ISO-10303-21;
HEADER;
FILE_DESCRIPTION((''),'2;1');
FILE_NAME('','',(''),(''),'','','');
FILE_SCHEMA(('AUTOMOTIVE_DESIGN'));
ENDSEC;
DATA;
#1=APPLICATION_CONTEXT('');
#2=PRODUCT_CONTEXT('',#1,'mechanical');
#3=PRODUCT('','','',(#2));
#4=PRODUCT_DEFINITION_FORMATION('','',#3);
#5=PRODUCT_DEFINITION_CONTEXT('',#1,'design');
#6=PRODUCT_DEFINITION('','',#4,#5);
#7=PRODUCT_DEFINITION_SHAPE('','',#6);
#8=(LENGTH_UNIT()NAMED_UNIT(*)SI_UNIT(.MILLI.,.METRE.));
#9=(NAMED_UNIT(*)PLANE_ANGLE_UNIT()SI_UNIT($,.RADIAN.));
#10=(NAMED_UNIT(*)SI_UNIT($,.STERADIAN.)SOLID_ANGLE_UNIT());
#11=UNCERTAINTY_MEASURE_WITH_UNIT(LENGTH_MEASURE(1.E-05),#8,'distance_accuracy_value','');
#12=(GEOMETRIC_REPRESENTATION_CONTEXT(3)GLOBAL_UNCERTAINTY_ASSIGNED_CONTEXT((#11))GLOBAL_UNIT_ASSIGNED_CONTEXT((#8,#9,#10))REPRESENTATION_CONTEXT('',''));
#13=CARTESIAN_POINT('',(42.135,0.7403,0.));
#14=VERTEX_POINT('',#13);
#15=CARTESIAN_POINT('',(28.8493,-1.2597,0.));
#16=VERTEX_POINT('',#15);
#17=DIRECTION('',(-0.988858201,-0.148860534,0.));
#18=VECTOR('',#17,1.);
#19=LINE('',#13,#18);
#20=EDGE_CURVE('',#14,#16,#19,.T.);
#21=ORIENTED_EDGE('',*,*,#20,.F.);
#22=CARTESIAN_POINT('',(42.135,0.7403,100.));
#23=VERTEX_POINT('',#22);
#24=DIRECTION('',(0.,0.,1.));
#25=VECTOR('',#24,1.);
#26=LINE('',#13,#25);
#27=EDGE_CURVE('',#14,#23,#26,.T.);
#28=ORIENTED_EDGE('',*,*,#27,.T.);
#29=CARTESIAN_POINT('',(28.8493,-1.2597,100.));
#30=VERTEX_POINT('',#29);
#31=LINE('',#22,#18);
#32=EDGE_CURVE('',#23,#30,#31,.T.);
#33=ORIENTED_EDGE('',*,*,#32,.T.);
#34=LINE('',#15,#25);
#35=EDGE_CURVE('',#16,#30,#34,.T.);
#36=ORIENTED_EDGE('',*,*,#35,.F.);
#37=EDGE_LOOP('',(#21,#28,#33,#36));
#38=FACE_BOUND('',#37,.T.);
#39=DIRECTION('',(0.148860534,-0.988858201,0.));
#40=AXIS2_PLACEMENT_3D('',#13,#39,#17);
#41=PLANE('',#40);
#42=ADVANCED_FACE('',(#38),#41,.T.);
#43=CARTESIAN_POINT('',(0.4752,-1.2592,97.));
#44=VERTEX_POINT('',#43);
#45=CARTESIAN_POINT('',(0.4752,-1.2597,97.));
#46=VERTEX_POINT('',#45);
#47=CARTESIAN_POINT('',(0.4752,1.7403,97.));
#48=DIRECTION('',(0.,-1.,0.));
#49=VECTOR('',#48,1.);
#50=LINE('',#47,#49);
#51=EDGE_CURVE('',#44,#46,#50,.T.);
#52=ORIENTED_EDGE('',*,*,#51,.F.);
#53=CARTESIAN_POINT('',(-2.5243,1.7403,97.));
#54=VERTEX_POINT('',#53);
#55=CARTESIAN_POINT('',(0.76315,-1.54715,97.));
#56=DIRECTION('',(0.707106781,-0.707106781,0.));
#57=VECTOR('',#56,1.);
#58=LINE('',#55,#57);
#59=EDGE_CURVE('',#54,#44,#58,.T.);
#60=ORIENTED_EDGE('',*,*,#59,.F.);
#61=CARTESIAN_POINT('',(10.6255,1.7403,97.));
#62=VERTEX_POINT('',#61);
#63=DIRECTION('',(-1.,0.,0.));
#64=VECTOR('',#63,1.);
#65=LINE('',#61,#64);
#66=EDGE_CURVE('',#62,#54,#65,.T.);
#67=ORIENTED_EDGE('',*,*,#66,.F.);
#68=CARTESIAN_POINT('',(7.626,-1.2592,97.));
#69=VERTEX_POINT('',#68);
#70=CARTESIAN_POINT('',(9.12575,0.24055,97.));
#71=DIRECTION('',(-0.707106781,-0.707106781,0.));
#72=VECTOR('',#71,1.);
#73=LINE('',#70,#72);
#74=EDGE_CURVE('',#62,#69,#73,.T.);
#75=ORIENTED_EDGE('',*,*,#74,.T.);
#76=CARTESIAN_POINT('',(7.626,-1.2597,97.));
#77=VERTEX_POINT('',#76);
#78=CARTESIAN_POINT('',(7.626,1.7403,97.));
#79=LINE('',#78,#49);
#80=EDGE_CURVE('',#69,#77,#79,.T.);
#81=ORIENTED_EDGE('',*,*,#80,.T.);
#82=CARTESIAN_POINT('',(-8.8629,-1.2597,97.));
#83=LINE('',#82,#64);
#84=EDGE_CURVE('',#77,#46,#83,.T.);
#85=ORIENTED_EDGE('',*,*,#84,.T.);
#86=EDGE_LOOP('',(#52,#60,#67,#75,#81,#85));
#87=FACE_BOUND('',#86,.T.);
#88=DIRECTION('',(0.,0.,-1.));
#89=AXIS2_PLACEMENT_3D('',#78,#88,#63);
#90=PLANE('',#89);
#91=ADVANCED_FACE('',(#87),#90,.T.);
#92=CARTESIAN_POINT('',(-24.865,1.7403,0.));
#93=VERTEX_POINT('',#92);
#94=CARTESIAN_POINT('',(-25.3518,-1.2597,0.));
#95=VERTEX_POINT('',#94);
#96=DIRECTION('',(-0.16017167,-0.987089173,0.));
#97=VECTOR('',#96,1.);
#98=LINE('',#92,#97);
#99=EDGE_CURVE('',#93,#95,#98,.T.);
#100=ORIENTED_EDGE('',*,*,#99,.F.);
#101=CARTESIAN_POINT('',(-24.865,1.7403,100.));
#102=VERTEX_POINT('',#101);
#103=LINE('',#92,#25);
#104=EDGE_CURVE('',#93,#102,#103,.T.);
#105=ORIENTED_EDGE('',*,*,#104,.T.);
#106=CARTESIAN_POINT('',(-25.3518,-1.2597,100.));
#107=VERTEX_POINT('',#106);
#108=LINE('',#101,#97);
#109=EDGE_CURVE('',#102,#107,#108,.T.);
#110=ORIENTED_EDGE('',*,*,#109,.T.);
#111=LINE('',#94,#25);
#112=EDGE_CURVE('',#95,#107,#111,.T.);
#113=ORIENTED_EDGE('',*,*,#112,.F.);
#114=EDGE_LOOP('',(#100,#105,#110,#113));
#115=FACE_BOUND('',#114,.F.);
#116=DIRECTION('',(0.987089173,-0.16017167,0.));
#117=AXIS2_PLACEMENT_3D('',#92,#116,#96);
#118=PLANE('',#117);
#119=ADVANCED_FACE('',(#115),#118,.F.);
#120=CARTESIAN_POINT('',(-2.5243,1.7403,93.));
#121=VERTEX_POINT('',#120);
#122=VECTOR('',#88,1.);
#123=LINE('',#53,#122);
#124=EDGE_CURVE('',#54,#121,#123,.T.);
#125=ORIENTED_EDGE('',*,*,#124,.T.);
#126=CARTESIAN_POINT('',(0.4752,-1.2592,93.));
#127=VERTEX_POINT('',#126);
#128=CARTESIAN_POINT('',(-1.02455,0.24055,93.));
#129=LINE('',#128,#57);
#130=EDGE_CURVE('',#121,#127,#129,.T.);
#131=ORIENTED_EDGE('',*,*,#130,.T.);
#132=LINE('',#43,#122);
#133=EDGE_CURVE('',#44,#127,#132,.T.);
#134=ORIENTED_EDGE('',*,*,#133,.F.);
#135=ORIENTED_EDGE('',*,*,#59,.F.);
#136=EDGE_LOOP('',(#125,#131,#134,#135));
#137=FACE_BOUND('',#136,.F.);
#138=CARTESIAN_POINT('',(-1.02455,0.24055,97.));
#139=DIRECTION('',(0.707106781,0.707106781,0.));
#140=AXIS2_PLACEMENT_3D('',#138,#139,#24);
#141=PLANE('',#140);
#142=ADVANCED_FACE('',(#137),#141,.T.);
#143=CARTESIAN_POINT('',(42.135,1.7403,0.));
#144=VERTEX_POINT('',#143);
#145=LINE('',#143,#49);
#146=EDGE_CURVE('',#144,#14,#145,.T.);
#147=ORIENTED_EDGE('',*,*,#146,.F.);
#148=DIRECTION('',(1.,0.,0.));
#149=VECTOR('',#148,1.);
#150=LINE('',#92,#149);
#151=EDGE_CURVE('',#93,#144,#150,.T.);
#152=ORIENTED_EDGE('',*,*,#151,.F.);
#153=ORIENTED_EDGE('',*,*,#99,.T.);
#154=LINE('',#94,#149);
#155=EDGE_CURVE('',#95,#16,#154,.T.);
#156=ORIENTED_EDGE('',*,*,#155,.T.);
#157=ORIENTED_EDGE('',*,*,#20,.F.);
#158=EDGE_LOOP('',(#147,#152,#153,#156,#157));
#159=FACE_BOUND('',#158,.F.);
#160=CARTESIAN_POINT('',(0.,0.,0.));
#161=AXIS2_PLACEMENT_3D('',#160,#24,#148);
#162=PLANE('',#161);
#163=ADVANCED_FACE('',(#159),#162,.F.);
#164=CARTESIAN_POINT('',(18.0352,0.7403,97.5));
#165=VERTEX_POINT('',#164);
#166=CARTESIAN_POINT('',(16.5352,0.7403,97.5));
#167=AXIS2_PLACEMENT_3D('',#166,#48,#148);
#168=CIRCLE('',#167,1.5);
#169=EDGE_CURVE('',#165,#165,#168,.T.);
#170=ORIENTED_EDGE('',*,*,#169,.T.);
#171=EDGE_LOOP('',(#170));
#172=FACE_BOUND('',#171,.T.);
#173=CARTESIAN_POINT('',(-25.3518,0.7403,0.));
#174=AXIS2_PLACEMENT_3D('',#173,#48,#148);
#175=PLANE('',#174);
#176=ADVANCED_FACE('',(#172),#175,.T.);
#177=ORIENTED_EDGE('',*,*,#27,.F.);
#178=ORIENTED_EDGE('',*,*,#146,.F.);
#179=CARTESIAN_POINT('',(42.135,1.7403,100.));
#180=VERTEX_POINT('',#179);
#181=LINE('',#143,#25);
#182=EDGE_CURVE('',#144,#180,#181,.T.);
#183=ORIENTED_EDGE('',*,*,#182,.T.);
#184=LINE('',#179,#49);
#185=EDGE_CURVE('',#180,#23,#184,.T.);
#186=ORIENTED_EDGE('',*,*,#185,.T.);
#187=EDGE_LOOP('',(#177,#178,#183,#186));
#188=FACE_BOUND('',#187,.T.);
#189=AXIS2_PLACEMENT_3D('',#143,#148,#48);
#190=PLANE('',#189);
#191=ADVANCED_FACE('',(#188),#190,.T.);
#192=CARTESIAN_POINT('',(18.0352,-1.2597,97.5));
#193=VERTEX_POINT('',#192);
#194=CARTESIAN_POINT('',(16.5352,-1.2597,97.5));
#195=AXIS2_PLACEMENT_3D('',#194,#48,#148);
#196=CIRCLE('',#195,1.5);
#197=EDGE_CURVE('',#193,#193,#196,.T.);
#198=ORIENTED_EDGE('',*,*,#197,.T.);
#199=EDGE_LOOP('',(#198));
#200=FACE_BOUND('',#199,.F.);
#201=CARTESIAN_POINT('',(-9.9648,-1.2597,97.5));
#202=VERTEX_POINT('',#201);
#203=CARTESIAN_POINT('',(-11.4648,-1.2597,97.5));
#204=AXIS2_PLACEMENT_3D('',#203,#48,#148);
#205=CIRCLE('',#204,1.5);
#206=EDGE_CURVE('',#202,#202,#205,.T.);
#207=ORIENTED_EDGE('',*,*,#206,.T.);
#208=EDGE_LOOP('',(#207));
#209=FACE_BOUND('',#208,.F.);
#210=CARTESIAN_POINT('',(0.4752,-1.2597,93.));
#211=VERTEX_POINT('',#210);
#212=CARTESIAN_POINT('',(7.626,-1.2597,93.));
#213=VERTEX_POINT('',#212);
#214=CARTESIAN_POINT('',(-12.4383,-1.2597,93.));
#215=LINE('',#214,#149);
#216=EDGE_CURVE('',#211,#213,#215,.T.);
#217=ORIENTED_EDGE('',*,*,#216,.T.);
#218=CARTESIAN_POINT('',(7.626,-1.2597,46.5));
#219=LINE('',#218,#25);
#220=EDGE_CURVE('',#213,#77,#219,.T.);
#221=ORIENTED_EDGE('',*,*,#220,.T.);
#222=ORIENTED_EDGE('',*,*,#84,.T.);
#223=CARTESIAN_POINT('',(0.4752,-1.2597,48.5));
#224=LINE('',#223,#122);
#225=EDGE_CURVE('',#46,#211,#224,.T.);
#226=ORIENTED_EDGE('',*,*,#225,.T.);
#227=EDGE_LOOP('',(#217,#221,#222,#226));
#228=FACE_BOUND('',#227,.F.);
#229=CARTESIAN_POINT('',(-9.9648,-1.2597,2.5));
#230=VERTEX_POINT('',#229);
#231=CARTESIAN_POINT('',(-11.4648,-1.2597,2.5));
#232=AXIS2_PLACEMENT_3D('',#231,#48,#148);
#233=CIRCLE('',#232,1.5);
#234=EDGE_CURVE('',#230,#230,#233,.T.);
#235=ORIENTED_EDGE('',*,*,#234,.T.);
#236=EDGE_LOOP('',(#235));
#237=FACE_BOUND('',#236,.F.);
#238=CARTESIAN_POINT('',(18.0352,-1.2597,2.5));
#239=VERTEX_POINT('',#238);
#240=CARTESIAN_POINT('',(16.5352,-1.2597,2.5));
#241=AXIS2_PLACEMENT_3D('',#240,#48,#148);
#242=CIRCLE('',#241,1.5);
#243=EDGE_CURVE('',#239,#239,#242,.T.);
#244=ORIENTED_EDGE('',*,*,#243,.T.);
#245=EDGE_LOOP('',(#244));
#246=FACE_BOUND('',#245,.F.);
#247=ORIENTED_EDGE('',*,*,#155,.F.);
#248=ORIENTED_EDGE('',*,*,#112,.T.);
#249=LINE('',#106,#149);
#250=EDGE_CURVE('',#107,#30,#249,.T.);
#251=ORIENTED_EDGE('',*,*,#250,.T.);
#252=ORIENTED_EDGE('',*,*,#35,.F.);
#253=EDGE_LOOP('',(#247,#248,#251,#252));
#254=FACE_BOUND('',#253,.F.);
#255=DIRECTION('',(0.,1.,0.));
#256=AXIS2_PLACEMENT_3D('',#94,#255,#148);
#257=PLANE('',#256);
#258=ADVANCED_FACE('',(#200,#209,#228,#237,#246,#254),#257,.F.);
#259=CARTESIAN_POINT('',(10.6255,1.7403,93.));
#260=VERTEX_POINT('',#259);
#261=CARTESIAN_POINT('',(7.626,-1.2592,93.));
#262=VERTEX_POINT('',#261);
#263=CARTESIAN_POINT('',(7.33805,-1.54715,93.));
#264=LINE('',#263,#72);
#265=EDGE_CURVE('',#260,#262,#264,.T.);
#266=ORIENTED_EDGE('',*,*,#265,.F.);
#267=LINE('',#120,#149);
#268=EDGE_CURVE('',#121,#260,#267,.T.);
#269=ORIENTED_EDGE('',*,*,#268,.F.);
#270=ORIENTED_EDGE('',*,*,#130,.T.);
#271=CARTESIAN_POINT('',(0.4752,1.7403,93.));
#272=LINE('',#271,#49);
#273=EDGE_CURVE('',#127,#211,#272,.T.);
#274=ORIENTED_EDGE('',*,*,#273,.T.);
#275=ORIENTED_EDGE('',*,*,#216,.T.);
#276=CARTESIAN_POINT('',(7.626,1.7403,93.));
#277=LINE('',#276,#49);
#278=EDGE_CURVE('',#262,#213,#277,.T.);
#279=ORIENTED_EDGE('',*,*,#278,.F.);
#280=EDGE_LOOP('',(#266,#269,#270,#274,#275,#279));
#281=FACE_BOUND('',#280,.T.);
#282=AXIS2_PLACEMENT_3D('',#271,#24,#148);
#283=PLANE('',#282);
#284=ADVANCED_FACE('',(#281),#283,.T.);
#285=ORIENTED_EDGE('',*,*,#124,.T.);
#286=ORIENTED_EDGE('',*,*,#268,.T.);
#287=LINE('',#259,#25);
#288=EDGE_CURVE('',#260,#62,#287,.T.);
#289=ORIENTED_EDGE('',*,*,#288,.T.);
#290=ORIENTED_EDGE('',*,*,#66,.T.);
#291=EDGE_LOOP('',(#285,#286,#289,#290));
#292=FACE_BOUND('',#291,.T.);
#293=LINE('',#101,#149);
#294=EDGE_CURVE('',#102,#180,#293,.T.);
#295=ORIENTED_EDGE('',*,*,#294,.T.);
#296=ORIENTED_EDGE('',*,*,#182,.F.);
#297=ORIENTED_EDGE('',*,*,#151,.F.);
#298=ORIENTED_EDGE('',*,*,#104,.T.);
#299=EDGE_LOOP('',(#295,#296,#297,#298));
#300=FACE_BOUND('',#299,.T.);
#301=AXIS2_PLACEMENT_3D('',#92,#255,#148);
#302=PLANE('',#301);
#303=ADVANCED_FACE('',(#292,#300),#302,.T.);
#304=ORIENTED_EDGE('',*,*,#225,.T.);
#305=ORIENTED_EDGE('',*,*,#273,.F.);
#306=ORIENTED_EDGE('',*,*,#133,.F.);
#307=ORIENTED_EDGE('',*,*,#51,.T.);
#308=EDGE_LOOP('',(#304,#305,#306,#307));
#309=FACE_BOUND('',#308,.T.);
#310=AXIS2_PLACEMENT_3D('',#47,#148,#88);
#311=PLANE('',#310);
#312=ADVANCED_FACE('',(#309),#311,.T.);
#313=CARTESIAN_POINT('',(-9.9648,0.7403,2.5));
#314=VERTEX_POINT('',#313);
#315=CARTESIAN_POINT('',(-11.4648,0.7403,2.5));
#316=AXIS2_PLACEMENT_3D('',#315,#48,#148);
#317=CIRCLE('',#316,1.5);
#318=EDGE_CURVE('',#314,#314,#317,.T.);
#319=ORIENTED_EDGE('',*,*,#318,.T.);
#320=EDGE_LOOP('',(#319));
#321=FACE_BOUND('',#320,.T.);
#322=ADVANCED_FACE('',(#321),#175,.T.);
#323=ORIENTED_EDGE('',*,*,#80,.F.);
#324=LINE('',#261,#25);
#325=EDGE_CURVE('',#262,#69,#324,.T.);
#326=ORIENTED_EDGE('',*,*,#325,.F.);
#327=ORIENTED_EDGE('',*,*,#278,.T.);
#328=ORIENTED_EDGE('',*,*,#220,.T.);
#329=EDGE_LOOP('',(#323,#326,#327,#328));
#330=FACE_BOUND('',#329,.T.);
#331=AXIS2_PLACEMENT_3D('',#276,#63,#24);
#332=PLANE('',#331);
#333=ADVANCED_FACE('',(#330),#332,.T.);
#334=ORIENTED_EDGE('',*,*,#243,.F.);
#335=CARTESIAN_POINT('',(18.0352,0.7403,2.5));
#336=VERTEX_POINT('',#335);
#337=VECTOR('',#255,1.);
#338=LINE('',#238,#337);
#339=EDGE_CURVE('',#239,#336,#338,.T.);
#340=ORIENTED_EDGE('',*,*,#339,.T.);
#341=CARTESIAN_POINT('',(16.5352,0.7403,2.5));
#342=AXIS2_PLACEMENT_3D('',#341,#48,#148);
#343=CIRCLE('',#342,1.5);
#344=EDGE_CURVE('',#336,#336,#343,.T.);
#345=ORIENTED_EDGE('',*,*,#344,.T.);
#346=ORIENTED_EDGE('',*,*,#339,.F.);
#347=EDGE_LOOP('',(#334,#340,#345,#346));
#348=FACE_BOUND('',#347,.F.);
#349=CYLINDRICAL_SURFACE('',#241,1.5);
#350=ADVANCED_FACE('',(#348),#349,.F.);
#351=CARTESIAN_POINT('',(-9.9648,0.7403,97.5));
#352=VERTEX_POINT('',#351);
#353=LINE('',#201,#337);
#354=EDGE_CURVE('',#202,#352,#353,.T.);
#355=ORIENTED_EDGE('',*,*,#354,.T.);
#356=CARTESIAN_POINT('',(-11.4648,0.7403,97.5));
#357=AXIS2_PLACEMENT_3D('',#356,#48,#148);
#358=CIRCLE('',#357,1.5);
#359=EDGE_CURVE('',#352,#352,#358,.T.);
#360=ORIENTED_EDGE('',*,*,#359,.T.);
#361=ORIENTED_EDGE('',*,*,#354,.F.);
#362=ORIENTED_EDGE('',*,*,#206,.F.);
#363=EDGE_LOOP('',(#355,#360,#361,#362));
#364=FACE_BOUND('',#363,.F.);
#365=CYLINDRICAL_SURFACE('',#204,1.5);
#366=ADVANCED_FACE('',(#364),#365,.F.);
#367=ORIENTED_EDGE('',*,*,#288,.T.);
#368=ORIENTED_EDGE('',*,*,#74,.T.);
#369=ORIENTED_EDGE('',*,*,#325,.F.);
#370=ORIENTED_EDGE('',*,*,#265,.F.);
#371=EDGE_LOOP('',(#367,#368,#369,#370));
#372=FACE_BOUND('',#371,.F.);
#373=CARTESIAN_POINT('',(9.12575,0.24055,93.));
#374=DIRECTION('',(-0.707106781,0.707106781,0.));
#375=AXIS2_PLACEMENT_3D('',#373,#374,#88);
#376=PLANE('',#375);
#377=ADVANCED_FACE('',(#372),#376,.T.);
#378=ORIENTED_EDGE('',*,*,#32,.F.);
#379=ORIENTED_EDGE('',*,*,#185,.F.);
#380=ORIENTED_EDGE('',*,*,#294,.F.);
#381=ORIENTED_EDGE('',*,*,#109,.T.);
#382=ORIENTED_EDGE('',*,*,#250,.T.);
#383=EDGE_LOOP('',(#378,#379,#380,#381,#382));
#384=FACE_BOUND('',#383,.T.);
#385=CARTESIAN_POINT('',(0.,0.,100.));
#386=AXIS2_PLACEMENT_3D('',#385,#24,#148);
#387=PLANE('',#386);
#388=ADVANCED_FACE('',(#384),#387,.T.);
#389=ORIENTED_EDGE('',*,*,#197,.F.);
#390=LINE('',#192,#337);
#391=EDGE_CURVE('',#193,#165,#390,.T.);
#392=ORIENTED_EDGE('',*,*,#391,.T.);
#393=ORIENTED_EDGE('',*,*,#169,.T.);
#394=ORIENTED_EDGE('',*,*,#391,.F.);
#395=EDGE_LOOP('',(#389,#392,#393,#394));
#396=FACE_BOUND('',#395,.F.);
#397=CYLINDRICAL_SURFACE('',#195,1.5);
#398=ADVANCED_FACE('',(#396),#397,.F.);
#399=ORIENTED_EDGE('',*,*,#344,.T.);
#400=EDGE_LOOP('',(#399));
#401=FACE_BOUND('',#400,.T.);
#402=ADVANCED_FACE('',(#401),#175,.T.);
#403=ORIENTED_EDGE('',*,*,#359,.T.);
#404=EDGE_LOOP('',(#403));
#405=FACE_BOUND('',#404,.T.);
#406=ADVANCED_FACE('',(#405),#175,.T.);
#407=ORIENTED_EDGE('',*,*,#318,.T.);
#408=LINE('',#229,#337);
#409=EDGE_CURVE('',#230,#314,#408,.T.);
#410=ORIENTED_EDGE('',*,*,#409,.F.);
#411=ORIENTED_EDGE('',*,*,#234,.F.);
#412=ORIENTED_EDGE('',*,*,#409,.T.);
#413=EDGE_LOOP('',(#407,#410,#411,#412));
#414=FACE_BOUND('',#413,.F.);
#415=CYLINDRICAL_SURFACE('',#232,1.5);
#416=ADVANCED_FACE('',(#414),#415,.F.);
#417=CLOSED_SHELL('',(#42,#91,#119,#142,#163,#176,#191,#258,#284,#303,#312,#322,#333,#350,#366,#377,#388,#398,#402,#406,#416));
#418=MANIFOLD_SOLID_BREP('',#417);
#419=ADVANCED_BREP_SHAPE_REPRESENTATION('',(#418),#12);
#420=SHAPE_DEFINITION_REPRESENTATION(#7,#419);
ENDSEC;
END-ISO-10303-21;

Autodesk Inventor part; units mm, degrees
ref_plane "YZ Plane" through (0, 0, 0) normal (1, 0, 0) x (0, 1, 0)
ref_plane "XZ Plane" through (0, 0, 0) normal (0, 1, 0) x (-1, 0, 0)
ref_plane "XY Plane" through (0, 0, 0) normal (0, 0, 1) x (1, 0, 0)
sketch "Sketch1" plane through (0, 0, 0) normal (0, 0, 1) x (1, 0, 0)
  line L0 (-24.865, 1.7403) -> (-25.3518, -1.2597)
  line L1 (-25.3518, -1.2597) -> (28.8493, -1.2597)
  line L2 (-24.865, 1.7403) -> (42.135, 1.7403)
  line L3 (42.135, 1.7403) -> (42.135, 0.7403)
  line L4 (42.135, 0.7403) -> (28.8493, -1.2597)
  point P0 (0, 0)
  dimension "d0" = 67
  dimension "d26" = 3
  dimension "d27" = 1
  dimension "d46" = 0.4868
  dimension "d48" = 13.2857
extrude "Extrusion1" add sketch "Sketch1" along normal blind 100
sketch "Sketch3" plane through (-24.865, 1.7403, 0) normal (0, 1, 0) x (1, 0, 0)
  line L0 (25.3402, -93) -> (32.491, -93)
  line L1 (32.491, -93) -> (32.491, -97)
  line L2 (32.491, -97) -> (25.3402, -97)
  line L3 (25.3402, -97) -> (25.3402, -93)
  line L4 (-0.4868, 0) -> (-0.4868, -100) projected
  point P0 (24.865, 0)
  point P1 (16.7856, -97)
  point P2 (23.8348, -93)
  dimension "d49" = 25.827
  dimension "d50" = 7.1508
extrude "Extrusion2" cut sketch "Sketch3" against normal through all
chamfer "Chamfer2" distance 3 angle 45 2 edges at (0.4752, 1.7403, 95) (7.626, 1.7403, 95) measured on face at (8.2987, 1.7403, 31)
sketch "Sketch4" plane through (-25.3518, -1.2597, 0) normal (0, -1, 0) x (1, 0, 0)
  circle A0 centre (13.887, 97.5) radius 1.5
  circle A1 centre (41.887, 97.5) radius 1.5
  circle A2 centre (13.887, 2.5) radius 1.5
  circle A3 centre (41.887, 2.5) radius 1.5
  line L0 (0, 100) -> (54.2011, 100) projected
  line L1 (0, 0) -> (54.2011, 0) projected
  line L2 (0, 0) -> (0, 100) projected
  point P0 (25.3518, 0)
  dimension "d28" = 3
  dimension "d29" = 3
  dimension "d30" = 3
  dimension "d31" = 3
  dimension "d32" = 2.5
  dimension "d33" = 2.5
  dimension "d34" = 2.5
  dimension "d35" = 2.5
  dimension "d36" = 13.887
  dimension "d37" = 28
  dimension "d38" = 13.887
  dimension "d39" = 28
extrude "Extrusion3" cut sketch "Sketch4" against normal blind 2
properties part number "porywa" material "Polycarbonate, Clear"
